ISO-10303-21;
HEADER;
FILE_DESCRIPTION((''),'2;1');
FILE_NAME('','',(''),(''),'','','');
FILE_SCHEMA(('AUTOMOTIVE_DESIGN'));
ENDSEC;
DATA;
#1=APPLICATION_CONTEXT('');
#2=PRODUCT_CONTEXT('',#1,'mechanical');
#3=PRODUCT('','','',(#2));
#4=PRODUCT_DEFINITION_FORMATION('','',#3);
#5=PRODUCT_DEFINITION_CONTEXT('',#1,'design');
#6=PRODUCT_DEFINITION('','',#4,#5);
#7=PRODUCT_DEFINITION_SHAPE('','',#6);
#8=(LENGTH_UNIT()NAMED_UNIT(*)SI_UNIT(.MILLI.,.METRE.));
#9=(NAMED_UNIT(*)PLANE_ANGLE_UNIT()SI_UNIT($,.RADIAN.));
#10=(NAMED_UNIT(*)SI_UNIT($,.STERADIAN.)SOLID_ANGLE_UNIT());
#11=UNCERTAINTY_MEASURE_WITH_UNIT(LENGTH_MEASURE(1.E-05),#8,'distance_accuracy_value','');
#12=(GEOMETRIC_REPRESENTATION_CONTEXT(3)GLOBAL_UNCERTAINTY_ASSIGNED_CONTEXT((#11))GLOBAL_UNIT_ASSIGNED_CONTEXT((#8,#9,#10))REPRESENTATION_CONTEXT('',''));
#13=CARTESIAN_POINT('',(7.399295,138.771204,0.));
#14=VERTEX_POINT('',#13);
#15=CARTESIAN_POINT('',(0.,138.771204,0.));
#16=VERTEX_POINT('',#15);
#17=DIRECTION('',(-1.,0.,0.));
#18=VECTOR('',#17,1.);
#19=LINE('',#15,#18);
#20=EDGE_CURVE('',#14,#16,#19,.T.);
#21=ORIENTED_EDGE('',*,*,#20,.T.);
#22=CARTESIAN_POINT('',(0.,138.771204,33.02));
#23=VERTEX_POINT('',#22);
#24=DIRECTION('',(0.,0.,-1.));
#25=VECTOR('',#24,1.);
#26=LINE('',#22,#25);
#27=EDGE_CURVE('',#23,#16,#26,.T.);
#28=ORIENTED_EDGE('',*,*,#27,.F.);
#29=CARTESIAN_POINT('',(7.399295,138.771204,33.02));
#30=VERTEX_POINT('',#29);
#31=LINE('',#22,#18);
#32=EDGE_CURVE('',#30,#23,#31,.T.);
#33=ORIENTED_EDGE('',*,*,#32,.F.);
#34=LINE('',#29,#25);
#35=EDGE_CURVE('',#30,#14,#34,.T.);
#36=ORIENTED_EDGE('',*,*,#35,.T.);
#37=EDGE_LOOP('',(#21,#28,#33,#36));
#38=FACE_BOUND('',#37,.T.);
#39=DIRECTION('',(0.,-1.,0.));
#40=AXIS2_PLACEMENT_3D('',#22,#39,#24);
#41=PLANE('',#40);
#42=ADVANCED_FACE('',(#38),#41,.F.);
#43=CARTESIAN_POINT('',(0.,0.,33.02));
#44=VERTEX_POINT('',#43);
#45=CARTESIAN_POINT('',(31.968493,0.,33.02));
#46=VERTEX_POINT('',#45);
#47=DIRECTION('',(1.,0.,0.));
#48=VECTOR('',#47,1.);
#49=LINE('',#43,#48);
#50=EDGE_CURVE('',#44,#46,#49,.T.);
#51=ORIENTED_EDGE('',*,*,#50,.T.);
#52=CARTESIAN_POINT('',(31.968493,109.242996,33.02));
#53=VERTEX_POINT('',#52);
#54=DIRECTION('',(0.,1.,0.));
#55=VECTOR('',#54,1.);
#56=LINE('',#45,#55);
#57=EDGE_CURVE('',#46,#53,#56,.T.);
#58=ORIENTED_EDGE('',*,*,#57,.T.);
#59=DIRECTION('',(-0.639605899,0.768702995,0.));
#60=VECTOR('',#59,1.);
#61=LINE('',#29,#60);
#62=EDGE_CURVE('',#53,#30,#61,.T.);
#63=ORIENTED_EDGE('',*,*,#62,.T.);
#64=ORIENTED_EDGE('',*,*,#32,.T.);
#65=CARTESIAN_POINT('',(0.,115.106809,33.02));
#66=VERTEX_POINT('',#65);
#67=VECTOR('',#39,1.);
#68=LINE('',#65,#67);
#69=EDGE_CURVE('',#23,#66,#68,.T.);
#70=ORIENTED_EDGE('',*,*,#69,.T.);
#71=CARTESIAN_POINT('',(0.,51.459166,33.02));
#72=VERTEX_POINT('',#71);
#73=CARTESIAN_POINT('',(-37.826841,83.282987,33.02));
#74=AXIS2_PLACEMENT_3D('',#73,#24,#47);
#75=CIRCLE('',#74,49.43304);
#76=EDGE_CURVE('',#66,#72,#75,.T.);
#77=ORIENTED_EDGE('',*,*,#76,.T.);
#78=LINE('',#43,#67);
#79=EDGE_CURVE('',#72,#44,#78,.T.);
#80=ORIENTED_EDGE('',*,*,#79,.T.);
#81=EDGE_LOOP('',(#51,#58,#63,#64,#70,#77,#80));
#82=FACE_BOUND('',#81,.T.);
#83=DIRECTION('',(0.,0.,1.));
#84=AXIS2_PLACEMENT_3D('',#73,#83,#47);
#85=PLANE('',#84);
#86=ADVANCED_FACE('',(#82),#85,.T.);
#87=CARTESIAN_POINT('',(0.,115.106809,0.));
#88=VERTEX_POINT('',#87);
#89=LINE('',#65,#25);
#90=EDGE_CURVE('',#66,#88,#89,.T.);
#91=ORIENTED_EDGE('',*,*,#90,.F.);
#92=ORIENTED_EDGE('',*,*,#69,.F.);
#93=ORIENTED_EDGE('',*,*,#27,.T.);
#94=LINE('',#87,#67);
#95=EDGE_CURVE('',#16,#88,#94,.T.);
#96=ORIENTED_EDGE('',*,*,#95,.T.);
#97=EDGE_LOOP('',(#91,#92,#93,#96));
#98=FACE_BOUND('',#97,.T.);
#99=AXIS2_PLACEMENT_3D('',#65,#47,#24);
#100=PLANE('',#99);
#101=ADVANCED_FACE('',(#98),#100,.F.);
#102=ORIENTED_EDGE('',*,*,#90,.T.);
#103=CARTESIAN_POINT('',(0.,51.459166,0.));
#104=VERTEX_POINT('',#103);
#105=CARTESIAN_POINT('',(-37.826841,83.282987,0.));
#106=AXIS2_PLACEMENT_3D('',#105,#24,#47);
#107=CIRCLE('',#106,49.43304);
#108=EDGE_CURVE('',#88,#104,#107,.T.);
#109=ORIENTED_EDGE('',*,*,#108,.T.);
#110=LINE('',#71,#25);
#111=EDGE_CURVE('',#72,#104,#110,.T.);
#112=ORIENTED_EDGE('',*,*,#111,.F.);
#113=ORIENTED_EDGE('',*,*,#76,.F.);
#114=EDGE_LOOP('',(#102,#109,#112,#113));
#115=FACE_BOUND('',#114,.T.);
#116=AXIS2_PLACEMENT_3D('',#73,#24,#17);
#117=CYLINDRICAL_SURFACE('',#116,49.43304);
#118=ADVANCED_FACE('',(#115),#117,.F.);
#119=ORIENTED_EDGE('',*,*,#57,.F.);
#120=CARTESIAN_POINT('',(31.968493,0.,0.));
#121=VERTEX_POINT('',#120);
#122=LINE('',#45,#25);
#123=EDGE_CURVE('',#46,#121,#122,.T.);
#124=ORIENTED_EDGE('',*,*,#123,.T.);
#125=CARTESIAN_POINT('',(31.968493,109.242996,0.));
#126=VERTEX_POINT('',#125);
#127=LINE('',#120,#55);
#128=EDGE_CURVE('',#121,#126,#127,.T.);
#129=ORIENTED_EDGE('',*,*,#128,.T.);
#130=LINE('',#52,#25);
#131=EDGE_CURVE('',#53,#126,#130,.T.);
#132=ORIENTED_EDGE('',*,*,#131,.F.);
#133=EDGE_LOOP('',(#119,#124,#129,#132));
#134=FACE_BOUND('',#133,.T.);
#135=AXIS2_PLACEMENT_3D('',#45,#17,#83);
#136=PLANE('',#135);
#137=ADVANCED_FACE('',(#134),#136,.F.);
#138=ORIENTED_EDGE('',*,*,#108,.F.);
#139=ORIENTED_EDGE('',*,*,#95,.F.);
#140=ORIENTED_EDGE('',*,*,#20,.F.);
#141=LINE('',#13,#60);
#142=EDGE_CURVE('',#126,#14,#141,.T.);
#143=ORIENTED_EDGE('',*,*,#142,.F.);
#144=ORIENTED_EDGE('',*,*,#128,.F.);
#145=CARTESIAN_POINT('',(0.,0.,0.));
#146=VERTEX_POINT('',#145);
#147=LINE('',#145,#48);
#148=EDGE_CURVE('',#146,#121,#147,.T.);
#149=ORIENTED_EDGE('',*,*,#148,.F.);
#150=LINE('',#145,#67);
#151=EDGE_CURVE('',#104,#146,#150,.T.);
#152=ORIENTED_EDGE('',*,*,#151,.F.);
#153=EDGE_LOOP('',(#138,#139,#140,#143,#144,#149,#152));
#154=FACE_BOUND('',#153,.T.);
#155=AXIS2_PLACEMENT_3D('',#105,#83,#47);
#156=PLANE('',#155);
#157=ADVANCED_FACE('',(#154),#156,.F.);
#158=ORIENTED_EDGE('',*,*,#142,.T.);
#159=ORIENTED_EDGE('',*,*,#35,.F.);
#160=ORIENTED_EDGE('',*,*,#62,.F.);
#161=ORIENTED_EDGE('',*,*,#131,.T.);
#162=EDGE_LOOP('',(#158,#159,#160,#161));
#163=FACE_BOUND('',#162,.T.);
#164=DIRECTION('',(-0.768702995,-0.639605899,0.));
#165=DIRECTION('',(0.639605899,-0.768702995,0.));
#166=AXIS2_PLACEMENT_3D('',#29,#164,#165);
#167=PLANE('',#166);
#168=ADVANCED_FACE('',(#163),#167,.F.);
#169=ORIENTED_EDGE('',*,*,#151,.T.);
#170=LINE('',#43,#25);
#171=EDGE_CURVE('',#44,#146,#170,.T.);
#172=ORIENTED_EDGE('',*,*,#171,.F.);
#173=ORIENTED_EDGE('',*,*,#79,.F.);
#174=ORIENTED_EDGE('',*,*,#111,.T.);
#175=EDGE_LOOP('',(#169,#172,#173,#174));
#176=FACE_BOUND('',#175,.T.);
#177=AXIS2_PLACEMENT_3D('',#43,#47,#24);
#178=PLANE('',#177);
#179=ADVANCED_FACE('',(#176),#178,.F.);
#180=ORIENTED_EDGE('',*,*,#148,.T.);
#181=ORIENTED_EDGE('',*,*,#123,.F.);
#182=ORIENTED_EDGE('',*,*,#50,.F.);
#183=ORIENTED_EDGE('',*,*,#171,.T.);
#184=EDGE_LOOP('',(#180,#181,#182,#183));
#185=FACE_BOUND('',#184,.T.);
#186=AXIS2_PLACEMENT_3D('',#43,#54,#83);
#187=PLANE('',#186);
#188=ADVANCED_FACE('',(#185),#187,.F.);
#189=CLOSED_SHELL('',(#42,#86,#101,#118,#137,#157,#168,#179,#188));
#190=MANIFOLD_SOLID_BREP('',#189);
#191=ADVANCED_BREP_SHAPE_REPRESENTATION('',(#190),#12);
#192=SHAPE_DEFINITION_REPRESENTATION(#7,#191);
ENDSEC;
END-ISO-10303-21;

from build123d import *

# Parameters (mm, degrees)
BOSS_EXTRUDE1_DEPTH = 33.02


with BuildPart() as part:
    # Sketch1 → Boss-Extrude1 (new body)
    with BuildSketch(Plane.XY):
        with BuildLine():
            Line((0, 0), (31.968493198, 0))
            Line((31.968493198, 0), (31.968493198, 109.242995925))
            Line((31.968493198, 109.242995925), (7.399294942, 138.771204316))
            Line((7.399294942, 138.771204316), (0, 138.771204316))
            Line((0, 138.771204316), (0, 115.1068086))
            ThreePointArc((0, 115.1068086), (11.60619963, 83.282987393), (0, 51.459166187))
            Line((0, 51.459166187), (0, 0))
        make_face()
    extrude(amount=BOSS_EXTRUDE1_DEPTH)


solid = part.part
